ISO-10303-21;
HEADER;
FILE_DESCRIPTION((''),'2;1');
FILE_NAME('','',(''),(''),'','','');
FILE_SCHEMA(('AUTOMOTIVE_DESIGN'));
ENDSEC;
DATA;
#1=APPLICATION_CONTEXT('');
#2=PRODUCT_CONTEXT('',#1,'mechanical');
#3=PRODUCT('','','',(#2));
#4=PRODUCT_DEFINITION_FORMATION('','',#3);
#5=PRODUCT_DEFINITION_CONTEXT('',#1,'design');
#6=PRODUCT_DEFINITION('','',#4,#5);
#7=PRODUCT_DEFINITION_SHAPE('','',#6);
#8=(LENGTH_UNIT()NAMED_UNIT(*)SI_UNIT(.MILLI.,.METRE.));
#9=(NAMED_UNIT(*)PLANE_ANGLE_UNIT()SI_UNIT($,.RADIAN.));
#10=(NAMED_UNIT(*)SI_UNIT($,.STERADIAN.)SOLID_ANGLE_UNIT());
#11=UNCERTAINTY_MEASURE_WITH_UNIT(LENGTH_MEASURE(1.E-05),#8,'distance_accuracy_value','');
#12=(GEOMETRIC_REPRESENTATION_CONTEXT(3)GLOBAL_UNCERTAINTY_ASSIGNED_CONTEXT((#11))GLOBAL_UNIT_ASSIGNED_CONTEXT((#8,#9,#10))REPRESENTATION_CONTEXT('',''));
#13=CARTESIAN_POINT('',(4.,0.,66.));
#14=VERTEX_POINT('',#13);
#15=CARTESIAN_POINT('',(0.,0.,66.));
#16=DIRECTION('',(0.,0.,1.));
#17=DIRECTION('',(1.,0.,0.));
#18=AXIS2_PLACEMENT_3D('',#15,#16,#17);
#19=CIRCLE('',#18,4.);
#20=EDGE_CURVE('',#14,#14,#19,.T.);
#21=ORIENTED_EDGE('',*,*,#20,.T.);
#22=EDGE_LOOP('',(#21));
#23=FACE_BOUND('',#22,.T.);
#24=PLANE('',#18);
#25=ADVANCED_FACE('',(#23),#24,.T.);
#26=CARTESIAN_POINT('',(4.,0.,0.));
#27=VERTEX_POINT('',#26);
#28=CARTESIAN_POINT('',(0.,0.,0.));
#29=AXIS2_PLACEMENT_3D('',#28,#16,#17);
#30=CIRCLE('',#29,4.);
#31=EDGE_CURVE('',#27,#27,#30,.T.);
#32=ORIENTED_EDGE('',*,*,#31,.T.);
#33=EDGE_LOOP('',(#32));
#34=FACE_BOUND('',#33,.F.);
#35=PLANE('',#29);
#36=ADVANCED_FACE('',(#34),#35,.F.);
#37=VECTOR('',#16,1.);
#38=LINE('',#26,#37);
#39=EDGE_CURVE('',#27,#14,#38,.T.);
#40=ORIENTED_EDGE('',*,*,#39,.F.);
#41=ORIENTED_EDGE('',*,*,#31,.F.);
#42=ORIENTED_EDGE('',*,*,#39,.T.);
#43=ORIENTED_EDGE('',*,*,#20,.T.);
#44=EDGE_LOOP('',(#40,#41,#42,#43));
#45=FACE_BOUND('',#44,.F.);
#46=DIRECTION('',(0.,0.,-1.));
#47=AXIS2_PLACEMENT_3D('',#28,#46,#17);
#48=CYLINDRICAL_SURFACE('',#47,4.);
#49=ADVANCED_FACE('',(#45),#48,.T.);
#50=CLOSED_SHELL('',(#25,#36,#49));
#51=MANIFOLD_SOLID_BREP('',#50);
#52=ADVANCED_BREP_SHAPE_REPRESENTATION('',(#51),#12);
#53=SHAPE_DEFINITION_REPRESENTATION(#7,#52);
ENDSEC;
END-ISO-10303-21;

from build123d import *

# Parameters (mm, degrees)
SKETCH_R  = 4
PAD_DEPTH = 66


with BuildPart() as part:
    # Sketch → Pad (new body)
    with BuildSketch(Plane.XY):
        Circle(SKETCH_R)
    extrude(amount=PAD_DEPTH)


solid = part.part
